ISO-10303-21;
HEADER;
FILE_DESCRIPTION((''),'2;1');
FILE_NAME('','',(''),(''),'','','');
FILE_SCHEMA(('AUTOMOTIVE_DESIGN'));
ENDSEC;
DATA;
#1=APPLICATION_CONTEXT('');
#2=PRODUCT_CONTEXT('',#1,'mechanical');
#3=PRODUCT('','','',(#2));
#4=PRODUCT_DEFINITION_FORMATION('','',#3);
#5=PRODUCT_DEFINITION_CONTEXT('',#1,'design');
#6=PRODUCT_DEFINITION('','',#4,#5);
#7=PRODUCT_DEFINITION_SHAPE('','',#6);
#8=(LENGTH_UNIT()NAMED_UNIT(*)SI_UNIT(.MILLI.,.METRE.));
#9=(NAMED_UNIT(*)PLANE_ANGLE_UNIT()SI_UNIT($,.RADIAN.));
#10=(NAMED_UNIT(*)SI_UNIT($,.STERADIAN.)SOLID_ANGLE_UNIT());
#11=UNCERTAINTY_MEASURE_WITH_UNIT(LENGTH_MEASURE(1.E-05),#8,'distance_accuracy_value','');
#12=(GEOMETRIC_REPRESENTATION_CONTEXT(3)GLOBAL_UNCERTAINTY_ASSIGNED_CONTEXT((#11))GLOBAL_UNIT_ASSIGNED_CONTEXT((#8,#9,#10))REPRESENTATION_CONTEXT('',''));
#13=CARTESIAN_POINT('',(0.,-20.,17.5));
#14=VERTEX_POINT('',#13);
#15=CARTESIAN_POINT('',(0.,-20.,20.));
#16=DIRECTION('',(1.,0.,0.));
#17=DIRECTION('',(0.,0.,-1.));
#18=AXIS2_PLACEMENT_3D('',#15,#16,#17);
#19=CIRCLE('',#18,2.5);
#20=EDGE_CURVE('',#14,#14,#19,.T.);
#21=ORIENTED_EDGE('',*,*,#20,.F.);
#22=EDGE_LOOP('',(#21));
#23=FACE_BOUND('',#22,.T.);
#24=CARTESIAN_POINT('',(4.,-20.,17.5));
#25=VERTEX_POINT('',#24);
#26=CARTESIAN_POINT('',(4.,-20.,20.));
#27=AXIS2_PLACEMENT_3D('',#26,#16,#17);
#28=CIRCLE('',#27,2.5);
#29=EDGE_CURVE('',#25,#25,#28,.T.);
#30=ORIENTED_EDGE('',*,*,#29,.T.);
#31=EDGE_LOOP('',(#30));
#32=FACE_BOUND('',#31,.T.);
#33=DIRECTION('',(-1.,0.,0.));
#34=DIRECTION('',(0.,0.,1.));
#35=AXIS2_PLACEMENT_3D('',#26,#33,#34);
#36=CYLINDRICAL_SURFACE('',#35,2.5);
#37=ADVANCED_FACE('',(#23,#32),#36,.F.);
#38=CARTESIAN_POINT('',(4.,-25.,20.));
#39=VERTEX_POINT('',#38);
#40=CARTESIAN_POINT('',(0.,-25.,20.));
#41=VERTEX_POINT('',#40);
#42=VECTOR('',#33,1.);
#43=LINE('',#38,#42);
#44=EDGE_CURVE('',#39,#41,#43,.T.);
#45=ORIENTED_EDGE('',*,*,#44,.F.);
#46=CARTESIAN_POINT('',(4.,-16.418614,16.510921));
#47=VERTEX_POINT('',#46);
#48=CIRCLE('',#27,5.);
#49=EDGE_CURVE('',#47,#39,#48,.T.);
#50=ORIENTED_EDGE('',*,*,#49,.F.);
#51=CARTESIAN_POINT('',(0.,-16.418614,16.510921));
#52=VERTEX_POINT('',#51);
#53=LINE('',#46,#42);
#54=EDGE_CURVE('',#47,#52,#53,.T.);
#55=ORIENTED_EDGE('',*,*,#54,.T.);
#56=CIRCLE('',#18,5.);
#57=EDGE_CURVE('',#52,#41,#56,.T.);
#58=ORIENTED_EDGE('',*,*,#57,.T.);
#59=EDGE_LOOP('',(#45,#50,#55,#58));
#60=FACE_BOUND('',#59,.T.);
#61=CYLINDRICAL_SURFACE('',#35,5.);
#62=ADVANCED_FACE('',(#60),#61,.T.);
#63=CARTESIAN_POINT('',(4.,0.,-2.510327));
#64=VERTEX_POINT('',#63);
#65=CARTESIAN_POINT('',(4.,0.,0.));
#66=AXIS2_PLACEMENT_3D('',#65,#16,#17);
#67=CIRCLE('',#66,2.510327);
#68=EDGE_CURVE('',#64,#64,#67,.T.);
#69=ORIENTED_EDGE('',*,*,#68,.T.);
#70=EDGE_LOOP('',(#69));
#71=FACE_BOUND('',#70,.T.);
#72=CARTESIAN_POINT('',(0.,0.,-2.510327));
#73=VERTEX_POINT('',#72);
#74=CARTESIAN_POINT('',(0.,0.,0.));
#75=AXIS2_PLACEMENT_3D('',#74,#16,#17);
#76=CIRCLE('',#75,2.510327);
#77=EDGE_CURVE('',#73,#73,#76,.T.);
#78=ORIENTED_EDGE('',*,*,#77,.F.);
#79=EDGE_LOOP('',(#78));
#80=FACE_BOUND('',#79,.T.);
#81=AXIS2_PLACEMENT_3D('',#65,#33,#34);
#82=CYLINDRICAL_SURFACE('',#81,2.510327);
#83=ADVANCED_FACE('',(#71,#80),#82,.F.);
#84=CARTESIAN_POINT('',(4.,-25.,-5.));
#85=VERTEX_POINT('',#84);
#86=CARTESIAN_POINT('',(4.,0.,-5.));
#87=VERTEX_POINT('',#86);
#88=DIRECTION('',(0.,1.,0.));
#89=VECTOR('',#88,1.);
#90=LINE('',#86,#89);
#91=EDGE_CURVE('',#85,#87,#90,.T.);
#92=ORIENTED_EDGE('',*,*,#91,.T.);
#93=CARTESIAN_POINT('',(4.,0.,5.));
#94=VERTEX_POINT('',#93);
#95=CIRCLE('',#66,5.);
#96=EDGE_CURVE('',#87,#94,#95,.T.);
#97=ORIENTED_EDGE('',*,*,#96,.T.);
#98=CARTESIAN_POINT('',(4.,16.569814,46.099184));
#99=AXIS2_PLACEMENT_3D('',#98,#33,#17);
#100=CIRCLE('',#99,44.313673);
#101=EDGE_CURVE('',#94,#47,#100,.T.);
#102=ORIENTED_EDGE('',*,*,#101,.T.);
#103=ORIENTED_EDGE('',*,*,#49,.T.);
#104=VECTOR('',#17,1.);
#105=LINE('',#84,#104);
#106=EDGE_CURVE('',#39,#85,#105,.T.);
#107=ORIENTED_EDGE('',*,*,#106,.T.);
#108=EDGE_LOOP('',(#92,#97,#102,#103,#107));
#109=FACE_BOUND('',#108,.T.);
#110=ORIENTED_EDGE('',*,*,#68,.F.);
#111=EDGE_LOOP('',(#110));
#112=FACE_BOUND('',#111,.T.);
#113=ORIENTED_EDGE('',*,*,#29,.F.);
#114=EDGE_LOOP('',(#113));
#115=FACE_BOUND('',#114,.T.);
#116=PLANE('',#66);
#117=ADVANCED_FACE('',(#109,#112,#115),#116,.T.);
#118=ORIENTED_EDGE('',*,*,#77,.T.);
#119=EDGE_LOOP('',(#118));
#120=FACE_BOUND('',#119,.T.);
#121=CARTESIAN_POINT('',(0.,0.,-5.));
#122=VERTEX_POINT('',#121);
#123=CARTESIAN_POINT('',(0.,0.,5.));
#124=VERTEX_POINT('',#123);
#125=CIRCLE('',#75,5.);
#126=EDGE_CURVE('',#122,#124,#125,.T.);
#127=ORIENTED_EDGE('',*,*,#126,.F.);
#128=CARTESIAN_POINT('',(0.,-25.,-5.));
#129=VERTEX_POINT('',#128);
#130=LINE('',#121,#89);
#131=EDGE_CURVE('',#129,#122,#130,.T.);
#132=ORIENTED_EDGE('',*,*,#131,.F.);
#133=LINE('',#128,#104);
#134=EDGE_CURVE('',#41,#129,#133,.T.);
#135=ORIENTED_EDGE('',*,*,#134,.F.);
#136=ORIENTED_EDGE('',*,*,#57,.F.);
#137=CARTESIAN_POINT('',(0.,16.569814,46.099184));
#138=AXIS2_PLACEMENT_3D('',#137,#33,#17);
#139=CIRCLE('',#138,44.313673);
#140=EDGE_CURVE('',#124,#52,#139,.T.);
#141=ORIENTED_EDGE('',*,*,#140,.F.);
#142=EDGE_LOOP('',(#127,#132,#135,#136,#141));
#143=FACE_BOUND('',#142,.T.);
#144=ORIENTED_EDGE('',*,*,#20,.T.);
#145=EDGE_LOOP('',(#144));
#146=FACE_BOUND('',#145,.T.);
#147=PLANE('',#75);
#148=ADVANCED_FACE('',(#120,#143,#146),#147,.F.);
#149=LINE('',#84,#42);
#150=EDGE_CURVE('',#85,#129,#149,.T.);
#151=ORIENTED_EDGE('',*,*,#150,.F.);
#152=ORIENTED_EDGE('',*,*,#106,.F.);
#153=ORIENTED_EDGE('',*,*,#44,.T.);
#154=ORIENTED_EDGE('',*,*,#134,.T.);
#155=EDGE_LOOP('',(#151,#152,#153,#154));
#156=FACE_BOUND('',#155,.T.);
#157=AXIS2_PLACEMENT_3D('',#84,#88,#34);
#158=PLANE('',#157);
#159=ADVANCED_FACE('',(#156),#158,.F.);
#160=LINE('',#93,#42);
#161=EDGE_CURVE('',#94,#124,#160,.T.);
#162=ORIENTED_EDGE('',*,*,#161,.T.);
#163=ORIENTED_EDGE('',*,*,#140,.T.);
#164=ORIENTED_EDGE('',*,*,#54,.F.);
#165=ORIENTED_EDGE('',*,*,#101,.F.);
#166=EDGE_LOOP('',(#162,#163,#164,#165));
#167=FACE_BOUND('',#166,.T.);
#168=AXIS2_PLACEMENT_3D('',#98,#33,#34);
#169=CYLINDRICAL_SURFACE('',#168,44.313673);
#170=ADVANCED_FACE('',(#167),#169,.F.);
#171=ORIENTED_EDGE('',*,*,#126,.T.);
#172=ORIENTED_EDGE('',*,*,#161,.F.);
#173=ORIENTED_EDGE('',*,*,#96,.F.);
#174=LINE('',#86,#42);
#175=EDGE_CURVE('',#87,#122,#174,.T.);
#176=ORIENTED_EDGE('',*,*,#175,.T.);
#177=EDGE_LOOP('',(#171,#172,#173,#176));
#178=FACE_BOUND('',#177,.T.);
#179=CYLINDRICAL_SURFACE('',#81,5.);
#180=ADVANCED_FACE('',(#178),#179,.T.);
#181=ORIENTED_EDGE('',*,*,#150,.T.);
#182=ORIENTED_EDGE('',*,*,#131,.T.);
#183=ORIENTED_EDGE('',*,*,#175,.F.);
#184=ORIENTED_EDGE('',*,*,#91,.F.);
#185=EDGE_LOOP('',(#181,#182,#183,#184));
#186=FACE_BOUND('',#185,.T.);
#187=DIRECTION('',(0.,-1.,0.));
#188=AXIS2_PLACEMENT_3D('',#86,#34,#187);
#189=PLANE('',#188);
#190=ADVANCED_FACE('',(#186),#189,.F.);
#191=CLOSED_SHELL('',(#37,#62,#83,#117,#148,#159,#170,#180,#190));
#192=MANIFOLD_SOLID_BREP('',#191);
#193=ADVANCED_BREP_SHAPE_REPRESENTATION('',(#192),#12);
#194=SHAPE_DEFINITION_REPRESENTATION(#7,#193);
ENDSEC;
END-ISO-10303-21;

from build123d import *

# Parameters (mm, degrees)
CROQUIS3_R              = 2.5103265
CROQUIS3_R_2            = 2.5
SALIENTE_EXTRUIR1_DEPTH = 4


with BuildPart() as part:
    # Croquis3 → Saliente-Extruir1 (new body)
    with BuildSketch(Plane(origin=(0, 0, 0), x_dir=(0, 0, -1), z_dir=(1, 0, 0))):
        with BuildLine():
            Line((5, 0), (5, -25))
            Line((5, -25), (-20, -25))
            ThreePointArc((-20, -25), (-24.631788644, -18.116775648), (-16.510921132, -16.418613585))
            ThreePointArc((-16.510921132, -16.418613585), (-9.814593541, -8.868938988), (-5, 0))
            ThreePointArc((-5, 0), (0, 5), (5, 0))
        make_face()
        Circle(CROQUIS3_R, mode=Mode.SUBTRACT)
        with Locations((-20, -20)):
            Circle(CROQUIS3_R_2, mode=Mode.SUBTRACT)
    extrude(amount=SALIENTE_EXTRUIR1_DEPTH)


solid = part.part
